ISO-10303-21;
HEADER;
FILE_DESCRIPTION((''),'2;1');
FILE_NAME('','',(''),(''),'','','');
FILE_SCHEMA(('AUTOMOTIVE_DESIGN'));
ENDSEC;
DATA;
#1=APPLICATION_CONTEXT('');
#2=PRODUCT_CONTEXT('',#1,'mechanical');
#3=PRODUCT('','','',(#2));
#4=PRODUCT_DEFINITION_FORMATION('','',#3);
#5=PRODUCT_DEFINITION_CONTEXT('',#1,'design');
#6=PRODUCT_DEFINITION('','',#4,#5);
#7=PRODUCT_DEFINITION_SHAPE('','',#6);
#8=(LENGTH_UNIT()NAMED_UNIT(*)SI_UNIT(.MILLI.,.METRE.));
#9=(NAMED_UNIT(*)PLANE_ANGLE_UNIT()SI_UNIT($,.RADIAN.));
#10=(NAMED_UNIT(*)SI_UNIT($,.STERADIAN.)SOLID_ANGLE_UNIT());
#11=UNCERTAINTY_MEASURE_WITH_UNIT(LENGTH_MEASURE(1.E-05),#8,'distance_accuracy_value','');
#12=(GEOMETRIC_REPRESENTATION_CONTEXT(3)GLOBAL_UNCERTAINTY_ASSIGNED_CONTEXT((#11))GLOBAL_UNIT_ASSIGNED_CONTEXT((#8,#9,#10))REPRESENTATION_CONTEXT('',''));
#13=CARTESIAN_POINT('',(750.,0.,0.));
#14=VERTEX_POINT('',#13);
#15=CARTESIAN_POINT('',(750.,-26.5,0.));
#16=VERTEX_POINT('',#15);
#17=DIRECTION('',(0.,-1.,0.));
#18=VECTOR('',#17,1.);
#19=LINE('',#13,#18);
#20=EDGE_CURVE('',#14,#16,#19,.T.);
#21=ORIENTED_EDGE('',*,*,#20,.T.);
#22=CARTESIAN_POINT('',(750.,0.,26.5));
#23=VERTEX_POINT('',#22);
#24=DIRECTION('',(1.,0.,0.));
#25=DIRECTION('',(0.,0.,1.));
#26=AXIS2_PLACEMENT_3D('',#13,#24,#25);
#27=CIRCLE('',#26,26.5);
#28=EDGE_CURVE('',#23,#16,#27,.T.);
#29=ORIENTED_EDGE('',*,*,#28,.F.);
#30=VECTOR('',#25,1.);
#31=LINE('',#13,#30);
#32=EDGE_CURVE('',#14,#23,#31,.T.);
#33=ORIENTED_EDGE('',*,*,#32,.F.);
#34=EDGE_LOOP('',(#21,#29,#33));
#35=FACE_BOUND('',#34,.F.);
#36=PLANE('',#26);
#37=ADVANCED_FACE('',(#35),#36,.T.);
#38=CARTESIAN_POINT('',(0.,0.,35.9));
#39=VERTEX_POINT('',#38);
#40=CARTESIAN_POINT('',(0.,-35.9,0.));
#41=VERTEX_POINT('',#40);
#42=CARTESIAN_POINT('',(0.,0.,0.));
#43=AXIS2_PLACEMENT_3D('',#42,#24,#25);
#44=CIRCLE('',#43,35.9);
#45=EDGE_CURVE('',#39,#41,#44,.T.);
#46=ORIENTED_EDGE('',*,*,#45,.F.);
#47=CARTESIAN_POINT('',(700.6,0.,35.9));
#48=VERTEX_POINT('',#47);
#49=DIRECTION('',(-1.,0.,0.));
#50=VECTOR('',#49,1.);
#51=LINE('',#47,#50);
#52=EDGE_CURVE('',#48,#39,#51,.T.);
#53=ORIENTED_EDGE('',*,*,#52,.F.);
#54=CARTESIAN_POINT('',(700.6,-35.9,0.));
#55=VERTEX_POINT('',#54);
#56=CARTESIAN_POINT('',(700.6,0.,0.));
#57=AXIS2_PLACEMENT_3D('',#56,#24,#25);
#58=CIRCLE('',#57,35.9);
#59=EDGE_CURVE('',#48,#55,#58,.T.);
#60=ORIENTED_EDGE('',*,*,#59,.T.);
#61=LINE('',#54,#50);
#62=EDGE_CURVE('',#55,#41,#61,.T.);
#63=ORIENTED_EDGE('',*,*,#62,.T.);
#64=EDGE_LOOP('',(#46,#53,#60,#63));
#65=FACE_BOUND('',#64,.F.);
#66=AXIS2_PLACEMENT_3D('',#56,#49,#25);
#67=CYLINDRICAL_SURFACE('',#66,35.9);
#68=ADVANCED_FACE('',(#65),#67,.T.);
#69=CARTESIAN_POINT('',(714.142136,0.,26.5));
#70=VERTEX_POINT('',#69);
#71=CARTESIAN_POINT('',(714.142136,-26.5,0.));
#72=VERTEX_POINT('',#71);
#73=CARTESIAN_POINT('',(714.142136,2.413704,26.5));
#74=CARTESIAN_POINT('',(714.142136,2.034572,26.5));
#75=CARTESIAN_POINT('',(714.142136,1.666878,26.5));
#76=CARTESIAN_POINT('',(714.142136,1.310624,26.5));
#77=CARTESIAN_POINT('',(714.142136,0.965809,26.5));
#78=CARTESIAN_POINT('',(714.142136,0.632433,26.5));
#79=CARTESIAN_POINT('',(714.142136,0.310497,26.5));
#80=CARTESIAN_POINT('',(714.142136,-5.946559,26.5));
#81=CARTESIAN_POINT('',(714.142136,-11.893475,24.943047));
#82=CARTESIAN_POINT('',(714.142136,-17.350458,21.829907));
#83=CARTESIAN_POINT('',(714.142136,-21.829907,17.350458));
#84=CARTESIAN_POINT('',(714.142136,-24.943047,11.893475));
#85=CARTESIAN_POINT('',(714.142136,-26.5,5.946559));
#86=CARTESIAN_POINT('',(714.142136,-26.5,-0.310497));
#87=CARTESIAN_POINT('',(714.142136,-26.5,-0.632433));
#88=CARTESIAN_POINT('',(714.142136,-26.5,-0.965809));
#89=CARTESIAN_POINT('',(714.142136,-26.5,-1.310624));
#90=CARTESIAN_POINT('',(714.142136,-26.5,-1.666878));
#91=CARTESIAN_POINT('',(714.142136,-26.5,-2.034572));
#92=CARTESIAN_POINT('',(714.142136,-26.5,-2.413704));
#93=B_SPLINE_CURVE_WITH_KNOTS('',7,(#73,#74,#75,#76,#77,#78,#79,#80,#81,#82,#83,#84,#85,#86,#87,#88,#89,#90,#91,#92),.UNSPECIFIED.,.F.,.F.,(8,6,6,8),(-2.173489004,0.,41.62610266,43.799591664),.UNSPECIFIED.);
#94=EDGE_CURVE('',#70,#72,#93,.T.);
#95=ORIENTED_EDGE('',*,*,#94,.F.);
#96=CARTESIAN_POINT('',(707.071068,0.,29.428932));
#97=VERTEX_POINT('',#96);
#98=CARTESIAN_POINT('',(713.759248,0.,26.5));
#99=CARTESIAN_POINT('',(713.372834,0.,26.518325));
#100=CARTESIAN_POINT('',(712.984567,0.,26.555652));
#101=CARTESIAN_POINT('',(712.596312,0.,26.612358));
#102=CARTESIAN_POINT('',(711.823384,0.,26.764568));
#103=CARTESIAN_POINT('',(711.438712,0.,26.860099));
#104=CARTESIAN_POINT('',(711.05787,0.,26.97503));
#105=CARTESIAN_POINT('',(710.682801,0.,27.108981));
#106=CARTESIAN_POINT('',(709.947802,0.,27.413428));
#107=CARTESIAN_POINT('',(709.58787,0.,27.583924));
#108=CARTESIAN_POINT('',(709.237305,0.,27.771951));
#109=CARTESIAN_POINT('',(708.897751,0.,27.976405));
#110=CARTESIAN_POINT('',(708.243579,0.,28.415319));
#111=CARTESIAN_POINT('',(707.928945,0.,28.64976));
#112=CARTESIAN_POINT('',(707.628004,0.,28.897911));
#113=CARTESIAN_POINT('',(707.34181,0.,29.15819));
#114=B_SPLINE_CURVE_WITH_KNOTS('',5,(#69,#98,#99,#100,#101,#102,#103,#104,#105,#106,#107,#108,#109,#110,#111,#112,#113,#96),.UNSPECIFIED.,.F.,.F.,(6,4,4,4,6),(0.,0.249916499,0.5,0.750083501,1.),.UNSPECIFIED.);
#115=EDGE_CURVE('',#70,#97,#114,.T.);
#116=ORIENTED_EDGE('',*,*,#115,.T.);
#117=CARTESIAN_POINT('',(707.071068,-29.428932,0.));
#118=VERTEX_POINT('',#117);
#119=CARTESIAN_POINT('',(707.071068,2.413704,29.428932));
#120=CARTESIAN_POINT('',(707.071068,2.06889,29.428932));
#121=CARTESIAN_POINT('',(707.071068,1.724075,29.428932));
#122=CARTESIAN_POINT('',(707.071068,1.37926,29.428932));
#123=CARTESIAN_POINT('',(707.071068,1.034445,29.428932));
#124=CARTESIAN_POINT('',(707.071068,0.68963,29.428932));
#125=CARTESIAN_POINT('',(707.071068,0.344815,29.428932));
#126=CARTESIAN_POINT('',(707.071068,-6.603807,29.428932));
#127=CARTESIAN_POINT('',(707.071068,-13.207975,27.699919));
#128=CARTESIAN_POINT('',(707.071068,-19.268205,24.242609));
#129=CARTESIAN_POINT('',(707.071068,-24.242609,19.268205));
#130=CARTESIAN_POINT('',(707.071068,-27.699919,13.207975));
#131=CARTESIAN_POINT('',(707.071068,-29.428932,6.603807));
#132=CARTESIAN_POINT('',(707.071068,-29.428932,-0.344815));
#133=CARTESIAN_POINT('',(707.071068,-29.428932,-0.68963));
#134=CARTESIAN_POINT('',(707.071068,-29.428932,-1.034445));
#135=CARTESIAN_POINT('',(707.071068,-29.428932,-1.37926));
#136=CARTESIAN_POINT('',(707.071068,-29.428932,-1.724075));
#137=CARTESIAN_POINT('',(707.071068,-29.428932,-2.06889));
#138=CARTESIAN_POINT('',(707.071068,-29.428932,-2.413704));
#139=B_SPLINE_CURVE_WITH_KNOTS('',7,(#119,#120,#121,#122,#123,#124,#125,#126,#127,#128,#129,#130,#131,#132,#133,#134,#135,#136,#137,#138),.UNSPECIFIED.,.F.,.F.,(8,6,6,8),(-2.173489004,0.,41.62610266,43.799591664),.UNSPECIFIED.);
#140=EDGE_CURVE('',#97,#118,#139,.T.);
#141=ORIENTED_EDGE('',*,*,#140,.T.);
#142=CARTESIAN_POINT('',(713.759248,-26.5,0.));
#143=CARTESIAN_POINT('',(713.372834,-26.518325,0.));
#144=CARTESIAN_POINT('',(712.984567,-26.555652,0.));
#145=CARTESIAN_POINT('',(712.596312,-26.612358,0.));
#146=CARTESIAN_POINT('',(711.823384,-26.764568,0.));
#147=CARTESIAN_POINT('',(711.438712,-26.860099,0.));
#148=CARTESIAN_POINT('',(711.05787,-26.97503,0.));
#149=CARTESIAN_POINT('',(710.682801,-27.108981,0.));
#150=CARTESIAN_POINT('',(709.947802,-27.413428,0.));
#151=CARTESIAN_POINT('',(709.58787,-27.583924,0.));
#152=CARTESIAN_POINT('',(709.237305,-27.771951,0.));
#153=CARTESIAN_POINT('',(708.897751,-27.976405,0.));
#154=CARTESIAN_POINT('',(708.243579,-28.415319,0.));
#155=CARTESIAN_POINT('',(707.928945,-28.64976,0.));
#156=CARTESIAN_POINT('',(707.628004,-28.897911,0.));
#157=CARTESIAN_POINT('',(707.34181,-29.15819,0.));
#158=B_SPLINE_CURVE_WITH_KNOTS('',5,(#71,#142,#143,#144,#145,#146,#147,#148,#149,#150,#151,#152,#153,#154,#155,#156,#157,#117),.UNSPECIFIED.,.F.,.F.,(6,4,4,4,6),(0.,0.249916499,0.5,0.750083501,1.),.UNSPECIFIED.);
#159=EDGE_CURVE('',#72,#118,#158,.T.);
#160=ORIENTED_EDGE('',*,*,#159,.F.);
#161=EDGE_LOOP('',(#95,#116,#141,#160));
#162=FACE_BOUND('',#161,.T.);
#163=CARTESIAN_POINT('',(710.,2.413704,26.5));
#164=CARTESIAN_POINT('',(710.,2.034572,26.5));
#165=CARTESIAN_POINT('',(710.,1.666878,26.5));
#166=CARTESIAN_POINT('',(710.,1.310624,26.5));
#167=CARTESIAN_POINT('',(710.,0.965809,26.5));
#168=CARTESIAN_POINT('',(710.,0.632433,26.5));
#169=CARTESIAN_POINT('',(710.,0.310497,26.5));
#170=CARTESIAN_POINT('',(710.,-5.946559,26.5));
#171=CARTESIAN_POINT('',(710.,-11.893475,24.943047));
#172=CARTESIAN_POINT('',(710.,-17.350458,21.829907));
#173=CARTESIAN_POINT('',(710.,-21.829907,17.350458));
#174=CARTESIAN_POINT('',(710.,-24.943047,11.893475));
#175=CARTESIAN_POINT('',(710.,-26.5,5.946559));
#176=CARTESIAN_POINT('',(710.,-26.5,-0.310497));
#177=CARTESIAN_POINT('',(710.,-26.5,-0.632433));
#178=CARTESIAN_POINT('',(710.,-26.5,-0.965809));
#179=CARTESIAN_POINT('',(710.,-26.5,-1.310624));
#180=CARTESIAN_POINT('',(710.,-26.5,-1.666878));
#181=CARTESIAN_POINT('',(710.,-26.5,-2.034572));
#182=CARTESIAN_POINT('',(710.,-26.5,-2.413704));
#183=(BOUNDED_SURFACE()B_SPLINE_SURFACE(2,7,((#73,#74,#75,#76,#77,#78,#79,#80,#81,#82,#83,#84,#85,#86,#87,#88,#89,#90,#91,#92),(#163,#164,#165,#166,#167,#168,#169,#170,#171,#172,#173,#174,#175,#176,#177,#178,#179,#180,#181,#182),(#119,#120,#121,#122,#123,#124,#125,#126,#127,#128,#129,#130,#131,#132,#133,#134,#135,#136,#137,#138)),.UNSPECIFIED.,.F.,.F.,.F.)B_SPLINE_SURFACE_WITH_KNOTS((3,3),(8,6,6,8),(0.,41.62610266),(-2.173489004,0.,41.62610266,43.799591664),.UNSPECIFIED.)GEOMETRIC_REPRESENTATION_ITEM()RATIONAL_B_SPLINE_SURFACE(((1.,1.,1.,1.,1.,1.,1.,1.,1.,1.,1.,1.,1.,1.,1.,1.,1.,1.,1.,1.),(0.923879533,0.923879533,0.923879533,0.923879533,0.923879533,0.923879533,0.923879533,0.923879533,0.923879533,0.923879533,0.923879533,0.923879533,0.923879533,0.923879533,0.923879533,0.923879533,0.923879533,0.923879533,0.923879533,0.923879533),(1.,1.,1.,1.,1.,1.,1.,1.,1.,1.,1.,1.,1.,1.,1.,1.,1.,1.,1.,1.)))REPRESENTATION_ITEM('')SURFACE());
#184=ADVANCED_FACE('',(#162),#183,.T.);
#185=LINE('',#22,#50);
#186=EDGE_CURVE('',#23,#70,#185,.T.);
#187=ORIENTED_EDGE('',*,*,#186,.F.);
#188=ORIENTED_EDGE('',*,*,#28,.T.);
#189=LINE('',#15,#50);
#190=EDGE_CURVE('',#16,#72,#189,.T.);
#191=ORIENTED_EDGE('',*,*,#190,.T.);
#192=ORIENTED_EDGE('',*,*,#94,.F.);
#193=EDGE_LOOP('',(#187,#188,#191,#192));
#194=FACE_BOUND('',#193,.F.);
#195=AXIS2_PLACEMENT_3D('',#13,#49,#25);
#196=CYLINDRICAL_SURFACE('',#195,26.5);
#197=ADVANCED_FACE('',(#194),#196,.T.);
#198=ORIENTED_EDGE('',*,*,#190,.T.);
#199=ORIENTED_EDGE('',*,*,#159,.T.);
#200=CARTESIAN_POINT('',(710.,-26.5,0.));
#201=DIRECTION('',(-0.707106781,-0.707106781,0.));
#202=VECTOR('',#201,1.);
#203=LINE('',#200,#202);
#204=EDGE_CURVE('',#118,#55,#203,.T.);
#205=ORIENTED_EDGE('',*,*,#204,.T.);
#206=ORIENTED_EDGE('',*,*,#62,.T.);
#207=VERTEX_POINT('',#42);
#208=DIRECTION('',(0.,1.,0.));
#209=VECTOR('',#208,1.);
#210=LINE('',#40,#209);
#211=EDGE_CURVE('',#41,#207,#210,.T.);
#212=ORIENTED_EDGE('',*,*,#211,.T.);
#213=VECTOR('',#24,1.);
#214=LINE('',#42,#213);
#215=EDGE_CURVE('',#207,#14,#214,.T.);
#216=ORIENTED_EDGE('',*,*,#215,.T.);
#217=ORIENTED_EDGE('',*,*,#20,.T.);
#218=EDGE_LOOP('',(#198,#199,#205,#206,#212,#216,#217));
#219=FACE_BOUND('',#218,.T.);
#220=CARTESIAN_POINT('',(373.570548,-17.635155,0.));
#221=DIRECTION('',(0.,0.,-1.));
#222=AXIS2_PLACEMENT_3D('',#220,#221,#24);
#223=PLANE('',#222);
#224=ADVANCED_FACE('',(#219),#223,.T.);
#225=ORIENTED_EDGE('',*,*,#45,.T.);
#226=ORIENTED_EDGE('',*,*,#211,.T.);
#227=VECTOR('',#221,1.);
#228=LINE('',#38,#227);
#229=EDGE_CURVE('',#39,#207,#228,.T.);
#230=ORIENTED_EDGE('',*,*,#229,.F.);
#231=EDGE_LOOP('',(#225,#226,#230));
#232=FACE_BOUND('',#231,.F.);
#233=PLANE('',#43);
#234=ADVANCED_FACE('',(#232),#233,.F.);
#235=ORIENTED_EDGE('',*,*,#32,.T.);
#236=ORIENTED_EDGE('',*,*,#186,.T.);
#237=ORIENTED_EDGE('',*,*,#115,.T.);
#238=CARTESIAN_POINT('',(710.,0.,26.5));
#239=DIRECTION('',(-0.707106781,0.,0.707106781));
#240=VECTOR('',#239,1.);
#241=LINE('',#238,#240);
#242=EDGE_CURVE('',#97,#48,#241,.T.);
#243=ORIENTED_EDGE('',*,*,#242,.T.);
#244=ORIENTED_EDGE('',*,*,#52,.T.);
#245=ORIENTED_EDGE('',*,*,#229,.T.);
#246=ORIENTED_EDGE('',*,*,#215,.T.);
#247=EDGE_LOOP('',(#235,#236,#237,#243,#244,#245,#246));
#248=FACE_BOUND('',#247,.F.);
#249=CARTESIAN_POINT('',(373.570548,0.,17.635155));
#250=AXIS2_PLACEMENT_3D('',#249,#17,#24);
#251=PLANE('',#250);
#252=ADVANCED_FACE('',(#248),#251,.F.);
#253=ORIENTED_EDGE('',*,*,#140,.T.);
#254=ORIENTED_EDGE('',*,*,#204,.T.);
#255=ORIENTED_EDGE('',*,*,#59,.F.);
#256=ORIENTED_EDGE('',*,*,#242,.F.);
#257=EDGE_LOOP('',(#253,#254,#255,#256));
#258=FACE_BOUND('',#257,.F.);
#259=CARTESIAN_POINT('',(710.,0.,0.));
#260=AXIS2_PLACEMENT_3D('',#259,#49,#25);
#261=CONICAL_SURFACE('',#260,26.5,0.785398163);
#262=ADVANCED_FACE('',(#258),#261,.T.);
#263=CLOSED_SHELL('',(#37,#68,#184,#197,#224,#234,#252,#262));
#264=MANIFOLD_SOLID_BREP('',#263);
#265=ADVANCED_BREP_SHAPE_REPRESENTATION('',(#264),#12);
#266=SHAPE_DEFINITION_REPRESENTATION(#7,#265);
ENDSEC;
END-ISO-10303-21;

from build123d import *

# Parameters (mm, degrees)
F1_ANGLE = 90
F2_R     = 10


with BuildPart() as f1:
    # F0 (on Front) → F1 (revolve)
    with BuildSketch(Plane.XZ):
        Polygon((700.6, 35.9), (0, 35.9), (0, 24.079584), (0, 0), (750, 0), (750, 26.5), (710, 26.5), align=None)
    revolve(axis=Axis((375, 0, 0), (1, 0, 0)), revolution_arc=F1_ANGLE)

    # F2
    f2_edges = [f1.edges().sort_by_distance(p)[0] for p in [
        (710, -18.73833, 18.73833),
    ]]
    fillet(f2_edges, radius=F2_R)


solid = f1.part
